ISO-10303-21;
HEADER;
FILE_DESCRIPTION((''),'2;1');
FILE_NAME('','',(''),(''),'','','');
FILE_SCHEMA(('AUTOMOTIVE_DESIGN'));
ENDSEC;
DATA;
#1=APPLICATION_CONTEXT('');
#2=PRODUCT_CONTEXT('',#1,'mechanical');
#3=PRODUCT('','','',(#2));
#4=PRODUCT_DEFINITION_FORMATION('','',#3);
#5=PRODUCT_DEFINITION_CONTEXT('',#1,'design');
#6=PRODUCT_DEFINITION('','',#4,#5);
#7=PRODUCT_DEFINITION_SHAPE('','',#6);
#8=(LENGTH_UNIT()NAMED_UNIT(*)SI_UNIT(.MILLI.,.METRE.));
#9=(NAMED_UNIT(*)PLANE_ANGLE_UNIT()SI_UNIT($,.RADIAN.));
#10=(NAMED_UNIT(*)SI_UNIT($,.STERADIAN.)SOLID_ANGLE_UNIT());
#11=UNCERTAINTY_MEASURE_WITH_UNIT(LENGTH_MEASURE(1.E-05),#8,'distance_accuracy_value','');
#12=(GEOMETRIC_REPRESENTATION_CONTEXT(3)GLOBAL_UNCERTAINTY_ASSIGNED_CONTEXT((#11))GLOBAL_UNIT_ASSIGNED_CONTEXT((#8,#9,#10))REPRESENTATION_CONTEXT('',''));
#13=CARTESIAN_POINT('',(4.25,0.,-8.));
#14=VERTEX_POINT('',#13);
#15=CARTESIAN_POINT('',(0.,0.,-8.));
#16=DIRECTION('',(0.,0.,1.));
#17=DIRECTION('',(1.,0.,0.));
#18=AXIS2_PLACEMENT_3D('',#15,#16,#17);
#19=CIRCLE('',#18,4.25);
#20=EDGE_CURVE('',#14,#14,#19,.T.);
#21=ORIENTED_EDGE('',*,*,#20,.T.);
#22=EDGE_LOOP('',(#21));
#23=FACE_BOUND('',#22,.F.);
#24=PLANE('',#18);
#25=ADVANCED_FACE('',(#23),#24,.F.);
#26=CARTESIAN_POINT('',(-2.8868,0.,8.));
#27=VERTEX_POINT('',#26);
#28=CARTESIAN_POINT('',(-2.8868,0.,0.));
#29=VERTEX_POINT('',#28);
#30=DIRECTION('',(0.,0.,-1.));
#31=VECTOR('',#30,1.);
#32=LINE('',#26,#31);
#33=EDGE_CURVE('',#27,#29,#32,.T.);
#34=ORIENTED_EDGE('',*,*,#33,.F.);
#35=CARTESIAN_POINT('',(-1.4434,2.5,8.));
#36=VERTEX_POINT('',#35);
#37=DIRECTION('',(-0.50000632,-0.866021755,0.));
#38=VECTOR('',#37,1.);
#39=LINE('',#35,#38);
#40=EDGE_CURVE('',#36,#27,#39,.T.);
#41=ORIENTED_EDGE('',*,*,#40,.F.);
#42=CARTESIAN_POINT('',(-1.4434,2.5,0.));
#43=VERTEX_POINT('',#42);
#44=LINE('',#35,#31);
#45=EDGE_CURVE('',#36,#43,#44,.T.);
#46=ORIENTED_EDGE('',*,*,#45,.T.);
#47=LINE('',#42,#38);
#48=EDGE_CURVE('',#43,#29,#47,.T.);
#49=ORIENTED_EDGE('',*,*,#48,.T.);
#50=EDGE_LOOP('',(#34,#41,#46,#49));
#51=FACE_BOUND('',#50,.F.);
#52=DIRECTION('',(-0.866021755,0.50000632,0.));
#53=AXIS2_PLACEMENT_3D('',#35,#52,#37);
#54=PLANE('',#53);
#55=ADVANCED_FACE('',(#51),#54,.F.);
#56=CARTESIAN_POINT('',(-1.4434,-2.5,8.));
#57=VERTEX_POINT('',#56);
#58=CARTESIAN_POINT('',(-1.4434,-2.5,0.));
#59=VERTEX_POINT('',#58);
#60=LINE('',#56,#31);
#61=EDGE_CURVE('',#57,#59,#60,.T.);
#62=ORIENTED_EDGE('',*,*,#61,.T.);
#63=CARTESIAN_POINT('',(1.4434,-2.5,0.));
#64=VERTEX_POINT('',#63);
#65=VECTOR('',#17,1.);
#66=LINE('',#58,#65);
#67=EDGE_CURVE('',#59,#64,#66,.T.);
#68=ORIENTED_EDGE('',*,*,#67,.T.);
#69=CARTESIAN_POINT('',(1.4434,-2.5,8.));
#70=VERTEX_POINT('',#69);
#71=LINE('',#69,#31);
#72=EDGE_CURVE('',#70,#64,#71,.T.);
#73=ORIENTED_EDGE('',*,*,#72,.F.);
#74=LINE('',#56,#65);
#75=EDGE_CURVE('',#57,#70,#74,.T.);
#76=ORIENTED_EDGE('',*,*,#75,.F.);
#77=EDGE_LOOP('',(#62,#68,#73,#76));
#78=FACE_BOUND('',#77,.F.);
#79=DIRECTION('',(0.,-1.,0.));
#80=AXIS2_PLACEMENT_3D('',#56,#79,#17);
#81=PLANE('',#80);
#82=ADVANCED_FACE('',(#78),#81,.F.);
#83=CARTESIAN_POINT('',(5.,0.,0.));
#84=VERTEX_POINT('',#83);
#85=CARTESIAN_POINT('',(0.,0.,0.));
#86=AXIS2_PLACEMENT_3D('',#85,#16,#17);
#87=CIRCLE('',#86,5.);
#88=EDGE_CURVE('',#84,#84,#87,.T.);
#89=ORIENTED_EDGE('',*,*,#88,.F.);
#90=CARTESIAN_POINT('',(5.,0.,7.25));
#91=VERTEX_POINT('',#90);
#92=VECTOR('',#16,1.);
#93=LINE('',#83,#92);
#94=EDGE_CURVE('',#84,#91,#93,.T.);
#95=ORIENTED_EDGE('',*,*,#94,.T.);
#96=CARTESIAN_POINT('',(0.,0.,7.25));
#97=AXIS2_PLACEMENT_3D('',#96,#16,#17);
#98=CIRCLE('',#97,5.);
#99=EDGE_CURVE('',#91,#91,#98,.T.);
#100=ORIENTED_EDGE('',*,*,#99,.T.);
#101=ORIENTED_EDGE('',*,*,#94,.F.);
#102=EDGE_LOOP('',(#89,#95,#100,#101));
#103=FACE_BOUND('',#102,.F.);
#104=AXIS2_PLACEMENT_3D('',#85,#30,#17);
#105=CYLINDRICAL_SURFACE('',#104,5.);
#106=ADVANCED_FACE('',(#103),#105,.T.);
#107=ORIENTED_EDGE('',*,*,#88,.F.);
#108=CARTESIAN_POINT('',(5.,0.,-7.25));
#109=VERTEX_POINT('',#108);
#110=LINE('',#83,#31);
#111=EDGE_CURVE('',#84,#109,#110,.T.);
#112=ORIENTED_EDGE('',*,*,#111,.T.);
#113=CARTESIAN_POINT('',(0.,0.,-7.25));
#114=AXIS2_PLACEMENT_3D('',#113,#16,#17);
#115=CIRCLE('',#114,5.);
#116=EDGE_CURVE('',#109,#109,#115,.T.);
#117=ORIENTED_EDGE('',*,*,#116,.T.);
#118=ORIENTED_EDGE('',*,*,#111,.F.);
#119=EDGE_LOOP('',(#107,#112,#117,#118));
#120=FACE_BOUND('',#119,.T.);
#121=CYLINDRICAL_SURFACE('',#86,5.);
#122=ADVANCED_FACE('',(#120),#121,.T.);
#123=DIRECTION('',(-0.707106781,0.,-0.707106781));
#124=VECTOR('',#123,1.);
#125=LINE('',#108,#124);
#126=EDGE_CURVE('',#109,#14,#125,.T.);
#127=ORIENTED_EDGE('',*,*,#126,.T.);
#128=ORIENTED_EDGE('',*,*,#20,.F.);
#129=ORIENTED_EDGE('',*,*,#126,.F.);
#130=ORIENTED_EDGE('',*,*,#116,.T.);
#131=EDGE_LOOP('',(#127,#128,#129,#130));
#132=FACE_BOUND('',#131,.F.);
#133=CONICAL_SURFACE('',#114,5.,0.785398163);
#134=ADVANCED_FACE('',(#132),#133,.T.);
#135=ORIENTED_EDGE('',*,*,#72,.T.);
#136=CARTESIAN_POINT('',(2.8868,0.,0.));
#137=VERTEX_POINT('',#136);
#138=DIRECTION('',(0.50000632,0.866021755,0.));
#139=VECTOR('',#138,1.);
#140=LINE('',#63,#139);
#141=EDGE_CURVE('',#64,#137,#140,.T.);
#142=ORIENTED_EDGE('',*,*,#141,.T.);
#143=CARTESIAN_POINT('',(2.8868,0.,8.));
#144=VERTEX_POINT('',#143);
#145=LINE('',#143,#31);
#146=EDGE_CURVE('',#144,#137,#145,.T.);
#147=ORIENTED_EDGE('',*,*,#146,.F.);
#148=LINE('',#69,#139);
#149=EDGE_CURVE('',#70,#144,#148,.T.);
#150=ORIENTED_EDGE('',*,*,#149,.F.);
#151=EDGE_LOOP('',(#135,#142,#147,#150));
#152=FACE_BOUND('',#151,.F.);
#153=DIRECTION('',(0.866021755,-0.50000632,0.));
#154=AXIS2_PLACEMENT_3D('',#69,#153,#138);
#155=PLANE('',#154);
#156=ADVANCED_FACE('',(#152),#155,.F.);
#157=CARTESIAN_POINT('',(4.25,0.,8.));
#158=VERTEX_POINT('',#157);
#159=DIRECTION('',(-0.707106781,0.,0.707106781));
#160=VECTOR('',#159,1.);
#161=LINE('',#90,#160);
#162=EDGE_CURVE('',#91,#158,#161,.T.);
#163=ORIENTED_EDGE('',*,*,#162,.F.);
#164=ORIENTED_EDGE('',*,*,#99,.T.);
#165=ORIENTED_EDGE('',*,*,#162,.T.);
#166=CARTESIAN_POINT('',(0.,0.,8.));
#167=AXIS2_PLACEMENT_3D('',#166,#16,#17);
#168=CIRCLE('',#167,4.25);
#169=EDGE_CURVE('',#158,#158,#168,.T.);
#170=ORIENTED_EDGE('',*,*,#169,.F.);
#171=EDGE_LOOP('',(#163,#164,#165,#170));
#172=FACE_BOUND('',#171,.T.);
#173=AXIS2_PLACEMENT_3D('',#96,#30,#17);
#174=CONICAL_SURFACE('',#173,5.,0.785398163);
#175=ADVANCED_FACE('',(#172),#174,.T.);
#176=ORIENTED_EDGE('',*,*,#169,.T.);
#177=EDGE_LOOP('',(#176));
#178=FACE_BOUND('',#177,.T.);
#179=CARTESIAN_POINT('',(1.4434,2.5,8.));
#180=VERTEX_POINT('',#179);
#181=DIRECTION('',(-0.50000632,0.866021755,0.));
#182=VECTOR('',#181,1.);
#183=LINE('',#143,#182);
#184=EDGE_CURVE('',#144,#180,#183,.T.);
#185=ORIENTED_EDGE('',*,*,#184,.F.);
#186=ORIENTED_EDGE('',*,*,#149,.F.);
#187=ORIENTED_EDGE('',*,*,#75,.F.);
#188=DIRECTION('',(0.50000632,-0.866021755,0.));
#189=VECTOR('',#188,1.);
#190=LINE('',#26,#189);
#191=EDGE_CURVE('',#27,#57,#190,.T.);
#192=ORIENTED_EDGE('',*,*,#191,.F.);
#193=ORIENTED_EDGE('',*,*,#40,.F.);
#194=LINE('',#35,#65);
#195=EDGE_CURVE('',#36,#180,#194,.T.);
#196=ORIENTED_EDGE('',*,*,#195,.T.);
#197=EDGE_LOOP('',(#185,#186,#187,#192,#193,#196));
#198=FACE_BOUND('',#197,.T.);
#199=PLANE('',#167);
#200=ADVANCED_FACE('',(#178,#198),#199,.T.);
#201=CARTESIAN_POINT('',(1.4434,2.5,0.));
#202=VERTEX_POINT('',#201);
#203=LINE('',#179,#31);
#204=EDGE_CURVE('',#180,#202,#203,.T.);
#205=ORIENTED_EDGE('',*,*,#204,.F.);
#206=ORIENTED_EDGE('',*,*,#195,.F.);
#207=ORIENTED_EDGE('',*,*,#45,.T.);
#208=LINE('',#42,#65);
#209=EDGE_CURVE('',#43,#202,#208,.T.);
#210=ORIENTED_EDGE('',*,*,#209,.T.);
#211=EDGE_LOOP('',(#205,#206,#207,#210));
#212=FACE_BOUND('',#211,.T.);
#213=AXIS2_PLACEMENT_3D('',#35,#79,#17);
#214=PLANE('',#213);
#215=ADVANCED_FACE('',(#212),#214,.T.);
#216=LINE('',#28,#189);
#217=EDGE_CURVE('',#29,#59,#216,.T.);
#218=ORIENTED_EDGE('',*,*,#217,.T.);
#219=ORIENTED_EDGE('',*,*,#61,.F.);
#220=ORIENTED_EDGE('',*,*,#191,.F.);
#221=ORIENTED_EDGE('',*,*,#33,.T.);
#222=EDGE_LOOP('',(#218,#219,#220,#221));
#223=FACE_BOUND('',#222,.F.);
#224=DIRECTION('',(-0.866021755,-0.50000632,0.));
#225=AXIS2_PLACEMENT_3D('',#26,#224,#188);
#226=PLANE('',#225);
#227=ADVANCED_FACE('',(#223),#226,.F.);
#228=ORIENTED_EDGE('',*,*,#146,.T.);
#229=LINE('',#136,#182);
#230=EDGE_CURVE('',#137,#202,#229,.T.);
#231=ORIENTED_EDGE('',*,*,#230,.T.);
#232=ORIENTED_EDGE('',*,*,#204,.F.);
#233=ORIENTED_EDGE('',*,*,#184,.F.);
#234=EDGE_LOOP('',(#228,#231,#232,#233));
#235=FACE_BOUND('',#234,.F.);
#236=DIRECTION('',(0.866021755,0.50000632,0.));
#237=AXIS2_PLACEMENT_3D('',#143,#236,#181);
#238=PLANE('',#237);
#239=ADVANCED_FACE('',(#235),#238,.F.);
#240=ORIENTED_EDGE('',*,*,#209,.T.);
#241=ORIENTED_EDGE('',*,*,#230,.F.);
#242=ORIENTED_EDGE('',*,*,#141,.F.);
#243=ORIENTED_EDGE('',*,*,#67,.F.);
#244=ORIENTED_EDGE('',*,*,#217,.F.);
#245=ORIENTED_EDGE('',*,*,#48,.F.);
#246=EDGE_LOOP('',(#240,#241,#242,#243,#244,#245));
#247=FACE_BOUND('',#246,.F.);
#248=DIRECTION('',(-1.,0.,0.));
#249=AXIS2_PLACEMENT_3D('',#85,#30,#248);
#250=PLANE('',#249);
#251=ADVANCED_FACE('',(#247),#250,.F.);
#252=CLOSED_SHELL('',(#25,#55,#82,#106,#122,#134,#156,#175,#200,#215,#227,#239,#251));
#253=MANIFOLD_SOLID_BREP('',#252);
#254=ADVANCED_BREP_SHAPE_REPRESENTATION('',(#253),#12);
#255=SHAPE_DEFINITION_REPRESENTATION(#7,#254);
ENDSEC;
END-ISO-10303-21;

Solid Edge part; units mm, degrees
sketch "Sketch1" plane through (0, 0, 0) normal (0, 0, 1) x (1, 0, 0)
  circle A0 centre (0, 0) radius 5
  dimension "D1" = 10
extrude "Protrusion1" add sketch "Sketch1" along normal mid plane 16
chamfer "Chamfer1" distance 0.75 angle 45 2 edges at (-5, 0, -8) (-5, 0, 8)
sketch "Sketch2" plane through (0, 0, 8) normal (0, 0, 1) x (1, 0, 0)
  line L0 (-1.4434, 2.5) -> (1.4434, 2.5)
  line L1 (2.8868, 0) -> (1.4434, 2.5)
  line L2 (1.4434, -2.5) -> (2.8868, 0)
  line L3 (-1.4434, -2.5) -> (1.4434, -2.5)
  line L4 (-2.8868, 0) -> (-1.4434, -2.5)
  line L5 (-1.4434, 2.5) -> (-2.8868, 0)
  dimension "D1" = 5
extrude "Cutout1" cut sketch "Sketch2" against normal blind 8
properties part number "113542"
